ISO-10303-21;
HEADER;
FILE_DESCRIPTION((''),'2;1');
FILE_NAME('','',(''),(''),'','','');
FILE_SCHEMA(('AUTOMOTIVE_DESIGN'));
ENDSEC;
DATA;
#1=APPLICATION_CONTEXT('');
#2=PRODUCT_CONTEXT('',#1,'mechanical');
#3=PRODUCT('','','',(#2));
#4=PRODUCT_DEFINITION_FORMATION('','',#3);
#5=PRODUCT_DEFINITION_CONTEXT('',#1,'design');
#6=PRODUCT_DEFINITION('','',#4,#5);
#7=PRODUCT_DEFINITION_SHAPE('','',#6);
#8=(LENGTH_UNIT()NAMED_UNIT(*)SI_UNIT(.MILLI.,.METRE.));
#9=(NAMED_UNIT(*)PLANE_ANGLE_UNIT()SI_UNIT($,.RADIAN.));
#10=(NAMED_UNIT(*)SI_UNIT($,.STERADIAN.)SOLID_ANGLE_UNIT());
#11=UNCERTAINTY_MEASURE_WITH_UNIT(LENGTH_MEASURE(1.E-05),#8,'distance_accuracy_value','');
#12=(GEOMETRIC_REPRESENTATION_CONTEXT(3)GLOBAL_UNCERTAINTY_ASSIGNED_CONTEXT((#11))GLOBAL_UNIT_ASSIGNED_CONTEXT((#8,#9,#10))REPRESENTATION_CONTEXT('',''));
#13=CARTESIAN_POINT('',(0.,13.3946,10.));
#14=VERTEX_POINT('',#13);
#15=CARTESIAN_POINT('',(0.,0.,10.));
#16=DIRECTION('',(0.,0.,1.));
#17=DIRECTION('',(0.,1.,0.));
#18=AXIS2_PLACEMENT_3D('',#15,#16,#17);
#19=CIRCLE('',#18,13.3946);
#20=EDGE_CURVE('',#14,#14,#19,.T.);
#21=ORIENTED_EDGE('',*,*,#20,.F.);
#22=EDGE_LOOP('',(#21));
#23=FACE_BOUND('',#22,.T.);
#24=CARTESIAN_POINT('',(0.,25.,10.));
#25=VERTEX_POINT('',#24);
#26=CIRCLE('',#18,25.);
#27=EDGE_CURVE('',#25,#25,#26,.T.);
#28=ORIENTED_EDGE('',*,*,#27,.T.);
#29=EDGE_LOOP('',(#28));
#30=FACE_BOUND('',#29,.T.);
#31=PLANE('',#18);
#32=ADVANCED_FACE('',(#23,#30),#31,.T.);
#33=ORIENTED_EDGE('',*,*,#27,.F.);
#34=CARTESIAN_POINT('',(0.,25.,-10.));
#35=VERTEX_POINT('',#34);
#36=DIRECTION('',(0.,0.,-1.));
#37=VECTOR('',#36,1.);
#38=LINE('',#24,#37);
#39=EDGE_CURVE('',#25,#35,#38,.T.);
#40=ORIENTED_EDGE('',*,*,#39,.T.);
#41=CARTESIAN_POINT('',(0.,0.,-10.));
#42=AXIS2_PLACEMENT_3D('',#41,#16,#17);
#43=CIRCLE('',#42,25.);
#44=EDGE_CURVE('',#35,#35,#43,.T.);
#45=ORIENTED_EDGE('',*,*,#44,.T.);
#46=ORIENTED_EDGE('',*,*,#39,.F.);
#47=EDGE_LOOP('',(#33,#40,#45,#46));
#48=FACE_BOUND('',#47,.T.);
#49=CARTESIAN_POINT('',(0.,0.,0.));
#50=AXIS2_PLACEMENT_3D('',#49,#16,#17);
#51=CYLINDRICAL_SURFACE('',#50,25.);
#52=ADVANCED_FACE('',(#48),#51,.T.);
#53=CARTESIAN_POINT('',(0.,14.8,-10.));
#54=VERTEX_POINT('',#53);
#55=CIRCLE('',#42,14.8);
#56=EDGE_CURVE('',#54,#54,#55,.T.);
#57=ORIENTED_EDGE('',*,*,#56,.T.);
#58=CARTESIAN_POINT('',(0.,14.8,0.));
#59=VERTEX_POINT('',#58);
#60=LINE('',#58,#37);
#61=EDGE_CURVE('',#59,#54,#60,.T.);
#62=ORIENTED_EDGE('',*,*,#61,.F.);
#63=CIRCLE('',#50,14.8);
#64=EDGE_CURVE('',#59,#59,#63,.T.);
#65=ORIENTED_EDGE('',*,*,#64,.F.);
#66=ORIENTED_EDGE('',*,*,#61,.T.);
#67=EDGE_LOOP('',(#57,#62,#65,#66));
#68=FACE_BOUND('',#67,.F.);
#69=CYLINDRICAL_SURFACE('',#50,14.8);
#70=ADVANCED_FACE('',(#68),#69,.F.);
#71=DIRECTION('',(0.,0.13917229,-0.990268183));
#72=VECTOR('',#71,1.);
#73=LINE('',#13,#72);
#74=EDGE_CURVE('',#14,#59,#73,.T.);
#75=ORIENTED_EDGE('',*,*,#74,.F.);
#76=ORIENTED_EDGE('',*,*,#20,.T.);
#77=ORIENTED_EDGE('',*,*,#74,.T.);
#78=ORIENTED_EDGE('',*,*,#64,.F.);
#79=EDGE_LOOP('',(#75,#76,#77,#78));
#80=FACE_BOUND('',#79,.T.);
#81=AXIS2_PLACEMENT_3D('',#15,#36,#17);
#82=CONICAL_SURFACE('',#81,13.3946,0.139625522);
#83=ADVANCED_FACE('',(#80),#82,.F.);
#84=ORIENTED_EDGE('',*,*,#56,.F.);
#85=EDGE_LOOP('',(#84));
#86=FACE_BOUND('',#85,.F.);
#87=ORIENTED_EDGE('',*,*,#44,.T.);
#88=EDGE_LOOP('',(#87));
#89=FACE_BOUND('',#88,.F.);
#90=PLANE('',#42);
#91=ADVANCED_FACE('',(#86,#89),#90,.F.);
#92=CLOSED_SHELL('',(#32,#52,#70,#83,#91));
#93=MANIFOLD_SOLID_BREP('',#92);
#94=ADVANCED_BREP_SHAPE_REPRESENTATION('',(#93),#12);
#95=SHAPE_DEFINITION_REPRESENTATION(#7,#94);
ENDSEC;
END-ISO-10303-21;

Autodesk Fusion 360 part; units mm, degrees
sketch "Sketch4" plane through (0, 0, 0) normal (0, 0, 1) x (1, 0, 0)
  circle A0 centre (0, 0) radius 25 construction
  dimension "d8" = 50
sketch "Sketch6" plane through (0, 0, 0) normal (1, 0, 0) x (0, 1, 0)
  line L0 (0, 0) -> (25, 0) construction
  line L1 (25, 0) -> (25, 10)
  line L2 (0, 0) -> (14.8, 0) construction
  line L3 (14.8, 0) -> (14.8, 10) construction
  line L4 (14.8, 10) -> (25, 10) construction
  line L5 (25, 10) -> (11.5, 10) construction
  line L6 (14.8, 0) -> (13.3946, 10) construction
  line L7 (14.8, 0) -> (24.8983, 0) construction
  line L8 (25, 10) -> (13.3946, 10)
  line L9 (13.3946, 10) -> (14.8, 0)
  line L10 (25, 0) -> (14.8, 0)
  dimension "d9" = 25
  dimension "d10" = 10
  dimension "d11" = 14.8
  dimension "d12" = 98
revolve "Revolve1" add sketch "Sketch6" angle 360 about axis through (0, 0, 1.75) along (0, 0, 1)
sketch "Sketch7" plane through (0, 0, 0) normal (0, 0, -1) x (1, 0, 0)
  circle A0 centre (0, 0) radius 25
  circle A1 centre (0, 0) radius 14.8
extrude "Extrude3" add 1 faces at (1.9773, 21.4518, 0) along direction (0, 0, -1) blind 10
